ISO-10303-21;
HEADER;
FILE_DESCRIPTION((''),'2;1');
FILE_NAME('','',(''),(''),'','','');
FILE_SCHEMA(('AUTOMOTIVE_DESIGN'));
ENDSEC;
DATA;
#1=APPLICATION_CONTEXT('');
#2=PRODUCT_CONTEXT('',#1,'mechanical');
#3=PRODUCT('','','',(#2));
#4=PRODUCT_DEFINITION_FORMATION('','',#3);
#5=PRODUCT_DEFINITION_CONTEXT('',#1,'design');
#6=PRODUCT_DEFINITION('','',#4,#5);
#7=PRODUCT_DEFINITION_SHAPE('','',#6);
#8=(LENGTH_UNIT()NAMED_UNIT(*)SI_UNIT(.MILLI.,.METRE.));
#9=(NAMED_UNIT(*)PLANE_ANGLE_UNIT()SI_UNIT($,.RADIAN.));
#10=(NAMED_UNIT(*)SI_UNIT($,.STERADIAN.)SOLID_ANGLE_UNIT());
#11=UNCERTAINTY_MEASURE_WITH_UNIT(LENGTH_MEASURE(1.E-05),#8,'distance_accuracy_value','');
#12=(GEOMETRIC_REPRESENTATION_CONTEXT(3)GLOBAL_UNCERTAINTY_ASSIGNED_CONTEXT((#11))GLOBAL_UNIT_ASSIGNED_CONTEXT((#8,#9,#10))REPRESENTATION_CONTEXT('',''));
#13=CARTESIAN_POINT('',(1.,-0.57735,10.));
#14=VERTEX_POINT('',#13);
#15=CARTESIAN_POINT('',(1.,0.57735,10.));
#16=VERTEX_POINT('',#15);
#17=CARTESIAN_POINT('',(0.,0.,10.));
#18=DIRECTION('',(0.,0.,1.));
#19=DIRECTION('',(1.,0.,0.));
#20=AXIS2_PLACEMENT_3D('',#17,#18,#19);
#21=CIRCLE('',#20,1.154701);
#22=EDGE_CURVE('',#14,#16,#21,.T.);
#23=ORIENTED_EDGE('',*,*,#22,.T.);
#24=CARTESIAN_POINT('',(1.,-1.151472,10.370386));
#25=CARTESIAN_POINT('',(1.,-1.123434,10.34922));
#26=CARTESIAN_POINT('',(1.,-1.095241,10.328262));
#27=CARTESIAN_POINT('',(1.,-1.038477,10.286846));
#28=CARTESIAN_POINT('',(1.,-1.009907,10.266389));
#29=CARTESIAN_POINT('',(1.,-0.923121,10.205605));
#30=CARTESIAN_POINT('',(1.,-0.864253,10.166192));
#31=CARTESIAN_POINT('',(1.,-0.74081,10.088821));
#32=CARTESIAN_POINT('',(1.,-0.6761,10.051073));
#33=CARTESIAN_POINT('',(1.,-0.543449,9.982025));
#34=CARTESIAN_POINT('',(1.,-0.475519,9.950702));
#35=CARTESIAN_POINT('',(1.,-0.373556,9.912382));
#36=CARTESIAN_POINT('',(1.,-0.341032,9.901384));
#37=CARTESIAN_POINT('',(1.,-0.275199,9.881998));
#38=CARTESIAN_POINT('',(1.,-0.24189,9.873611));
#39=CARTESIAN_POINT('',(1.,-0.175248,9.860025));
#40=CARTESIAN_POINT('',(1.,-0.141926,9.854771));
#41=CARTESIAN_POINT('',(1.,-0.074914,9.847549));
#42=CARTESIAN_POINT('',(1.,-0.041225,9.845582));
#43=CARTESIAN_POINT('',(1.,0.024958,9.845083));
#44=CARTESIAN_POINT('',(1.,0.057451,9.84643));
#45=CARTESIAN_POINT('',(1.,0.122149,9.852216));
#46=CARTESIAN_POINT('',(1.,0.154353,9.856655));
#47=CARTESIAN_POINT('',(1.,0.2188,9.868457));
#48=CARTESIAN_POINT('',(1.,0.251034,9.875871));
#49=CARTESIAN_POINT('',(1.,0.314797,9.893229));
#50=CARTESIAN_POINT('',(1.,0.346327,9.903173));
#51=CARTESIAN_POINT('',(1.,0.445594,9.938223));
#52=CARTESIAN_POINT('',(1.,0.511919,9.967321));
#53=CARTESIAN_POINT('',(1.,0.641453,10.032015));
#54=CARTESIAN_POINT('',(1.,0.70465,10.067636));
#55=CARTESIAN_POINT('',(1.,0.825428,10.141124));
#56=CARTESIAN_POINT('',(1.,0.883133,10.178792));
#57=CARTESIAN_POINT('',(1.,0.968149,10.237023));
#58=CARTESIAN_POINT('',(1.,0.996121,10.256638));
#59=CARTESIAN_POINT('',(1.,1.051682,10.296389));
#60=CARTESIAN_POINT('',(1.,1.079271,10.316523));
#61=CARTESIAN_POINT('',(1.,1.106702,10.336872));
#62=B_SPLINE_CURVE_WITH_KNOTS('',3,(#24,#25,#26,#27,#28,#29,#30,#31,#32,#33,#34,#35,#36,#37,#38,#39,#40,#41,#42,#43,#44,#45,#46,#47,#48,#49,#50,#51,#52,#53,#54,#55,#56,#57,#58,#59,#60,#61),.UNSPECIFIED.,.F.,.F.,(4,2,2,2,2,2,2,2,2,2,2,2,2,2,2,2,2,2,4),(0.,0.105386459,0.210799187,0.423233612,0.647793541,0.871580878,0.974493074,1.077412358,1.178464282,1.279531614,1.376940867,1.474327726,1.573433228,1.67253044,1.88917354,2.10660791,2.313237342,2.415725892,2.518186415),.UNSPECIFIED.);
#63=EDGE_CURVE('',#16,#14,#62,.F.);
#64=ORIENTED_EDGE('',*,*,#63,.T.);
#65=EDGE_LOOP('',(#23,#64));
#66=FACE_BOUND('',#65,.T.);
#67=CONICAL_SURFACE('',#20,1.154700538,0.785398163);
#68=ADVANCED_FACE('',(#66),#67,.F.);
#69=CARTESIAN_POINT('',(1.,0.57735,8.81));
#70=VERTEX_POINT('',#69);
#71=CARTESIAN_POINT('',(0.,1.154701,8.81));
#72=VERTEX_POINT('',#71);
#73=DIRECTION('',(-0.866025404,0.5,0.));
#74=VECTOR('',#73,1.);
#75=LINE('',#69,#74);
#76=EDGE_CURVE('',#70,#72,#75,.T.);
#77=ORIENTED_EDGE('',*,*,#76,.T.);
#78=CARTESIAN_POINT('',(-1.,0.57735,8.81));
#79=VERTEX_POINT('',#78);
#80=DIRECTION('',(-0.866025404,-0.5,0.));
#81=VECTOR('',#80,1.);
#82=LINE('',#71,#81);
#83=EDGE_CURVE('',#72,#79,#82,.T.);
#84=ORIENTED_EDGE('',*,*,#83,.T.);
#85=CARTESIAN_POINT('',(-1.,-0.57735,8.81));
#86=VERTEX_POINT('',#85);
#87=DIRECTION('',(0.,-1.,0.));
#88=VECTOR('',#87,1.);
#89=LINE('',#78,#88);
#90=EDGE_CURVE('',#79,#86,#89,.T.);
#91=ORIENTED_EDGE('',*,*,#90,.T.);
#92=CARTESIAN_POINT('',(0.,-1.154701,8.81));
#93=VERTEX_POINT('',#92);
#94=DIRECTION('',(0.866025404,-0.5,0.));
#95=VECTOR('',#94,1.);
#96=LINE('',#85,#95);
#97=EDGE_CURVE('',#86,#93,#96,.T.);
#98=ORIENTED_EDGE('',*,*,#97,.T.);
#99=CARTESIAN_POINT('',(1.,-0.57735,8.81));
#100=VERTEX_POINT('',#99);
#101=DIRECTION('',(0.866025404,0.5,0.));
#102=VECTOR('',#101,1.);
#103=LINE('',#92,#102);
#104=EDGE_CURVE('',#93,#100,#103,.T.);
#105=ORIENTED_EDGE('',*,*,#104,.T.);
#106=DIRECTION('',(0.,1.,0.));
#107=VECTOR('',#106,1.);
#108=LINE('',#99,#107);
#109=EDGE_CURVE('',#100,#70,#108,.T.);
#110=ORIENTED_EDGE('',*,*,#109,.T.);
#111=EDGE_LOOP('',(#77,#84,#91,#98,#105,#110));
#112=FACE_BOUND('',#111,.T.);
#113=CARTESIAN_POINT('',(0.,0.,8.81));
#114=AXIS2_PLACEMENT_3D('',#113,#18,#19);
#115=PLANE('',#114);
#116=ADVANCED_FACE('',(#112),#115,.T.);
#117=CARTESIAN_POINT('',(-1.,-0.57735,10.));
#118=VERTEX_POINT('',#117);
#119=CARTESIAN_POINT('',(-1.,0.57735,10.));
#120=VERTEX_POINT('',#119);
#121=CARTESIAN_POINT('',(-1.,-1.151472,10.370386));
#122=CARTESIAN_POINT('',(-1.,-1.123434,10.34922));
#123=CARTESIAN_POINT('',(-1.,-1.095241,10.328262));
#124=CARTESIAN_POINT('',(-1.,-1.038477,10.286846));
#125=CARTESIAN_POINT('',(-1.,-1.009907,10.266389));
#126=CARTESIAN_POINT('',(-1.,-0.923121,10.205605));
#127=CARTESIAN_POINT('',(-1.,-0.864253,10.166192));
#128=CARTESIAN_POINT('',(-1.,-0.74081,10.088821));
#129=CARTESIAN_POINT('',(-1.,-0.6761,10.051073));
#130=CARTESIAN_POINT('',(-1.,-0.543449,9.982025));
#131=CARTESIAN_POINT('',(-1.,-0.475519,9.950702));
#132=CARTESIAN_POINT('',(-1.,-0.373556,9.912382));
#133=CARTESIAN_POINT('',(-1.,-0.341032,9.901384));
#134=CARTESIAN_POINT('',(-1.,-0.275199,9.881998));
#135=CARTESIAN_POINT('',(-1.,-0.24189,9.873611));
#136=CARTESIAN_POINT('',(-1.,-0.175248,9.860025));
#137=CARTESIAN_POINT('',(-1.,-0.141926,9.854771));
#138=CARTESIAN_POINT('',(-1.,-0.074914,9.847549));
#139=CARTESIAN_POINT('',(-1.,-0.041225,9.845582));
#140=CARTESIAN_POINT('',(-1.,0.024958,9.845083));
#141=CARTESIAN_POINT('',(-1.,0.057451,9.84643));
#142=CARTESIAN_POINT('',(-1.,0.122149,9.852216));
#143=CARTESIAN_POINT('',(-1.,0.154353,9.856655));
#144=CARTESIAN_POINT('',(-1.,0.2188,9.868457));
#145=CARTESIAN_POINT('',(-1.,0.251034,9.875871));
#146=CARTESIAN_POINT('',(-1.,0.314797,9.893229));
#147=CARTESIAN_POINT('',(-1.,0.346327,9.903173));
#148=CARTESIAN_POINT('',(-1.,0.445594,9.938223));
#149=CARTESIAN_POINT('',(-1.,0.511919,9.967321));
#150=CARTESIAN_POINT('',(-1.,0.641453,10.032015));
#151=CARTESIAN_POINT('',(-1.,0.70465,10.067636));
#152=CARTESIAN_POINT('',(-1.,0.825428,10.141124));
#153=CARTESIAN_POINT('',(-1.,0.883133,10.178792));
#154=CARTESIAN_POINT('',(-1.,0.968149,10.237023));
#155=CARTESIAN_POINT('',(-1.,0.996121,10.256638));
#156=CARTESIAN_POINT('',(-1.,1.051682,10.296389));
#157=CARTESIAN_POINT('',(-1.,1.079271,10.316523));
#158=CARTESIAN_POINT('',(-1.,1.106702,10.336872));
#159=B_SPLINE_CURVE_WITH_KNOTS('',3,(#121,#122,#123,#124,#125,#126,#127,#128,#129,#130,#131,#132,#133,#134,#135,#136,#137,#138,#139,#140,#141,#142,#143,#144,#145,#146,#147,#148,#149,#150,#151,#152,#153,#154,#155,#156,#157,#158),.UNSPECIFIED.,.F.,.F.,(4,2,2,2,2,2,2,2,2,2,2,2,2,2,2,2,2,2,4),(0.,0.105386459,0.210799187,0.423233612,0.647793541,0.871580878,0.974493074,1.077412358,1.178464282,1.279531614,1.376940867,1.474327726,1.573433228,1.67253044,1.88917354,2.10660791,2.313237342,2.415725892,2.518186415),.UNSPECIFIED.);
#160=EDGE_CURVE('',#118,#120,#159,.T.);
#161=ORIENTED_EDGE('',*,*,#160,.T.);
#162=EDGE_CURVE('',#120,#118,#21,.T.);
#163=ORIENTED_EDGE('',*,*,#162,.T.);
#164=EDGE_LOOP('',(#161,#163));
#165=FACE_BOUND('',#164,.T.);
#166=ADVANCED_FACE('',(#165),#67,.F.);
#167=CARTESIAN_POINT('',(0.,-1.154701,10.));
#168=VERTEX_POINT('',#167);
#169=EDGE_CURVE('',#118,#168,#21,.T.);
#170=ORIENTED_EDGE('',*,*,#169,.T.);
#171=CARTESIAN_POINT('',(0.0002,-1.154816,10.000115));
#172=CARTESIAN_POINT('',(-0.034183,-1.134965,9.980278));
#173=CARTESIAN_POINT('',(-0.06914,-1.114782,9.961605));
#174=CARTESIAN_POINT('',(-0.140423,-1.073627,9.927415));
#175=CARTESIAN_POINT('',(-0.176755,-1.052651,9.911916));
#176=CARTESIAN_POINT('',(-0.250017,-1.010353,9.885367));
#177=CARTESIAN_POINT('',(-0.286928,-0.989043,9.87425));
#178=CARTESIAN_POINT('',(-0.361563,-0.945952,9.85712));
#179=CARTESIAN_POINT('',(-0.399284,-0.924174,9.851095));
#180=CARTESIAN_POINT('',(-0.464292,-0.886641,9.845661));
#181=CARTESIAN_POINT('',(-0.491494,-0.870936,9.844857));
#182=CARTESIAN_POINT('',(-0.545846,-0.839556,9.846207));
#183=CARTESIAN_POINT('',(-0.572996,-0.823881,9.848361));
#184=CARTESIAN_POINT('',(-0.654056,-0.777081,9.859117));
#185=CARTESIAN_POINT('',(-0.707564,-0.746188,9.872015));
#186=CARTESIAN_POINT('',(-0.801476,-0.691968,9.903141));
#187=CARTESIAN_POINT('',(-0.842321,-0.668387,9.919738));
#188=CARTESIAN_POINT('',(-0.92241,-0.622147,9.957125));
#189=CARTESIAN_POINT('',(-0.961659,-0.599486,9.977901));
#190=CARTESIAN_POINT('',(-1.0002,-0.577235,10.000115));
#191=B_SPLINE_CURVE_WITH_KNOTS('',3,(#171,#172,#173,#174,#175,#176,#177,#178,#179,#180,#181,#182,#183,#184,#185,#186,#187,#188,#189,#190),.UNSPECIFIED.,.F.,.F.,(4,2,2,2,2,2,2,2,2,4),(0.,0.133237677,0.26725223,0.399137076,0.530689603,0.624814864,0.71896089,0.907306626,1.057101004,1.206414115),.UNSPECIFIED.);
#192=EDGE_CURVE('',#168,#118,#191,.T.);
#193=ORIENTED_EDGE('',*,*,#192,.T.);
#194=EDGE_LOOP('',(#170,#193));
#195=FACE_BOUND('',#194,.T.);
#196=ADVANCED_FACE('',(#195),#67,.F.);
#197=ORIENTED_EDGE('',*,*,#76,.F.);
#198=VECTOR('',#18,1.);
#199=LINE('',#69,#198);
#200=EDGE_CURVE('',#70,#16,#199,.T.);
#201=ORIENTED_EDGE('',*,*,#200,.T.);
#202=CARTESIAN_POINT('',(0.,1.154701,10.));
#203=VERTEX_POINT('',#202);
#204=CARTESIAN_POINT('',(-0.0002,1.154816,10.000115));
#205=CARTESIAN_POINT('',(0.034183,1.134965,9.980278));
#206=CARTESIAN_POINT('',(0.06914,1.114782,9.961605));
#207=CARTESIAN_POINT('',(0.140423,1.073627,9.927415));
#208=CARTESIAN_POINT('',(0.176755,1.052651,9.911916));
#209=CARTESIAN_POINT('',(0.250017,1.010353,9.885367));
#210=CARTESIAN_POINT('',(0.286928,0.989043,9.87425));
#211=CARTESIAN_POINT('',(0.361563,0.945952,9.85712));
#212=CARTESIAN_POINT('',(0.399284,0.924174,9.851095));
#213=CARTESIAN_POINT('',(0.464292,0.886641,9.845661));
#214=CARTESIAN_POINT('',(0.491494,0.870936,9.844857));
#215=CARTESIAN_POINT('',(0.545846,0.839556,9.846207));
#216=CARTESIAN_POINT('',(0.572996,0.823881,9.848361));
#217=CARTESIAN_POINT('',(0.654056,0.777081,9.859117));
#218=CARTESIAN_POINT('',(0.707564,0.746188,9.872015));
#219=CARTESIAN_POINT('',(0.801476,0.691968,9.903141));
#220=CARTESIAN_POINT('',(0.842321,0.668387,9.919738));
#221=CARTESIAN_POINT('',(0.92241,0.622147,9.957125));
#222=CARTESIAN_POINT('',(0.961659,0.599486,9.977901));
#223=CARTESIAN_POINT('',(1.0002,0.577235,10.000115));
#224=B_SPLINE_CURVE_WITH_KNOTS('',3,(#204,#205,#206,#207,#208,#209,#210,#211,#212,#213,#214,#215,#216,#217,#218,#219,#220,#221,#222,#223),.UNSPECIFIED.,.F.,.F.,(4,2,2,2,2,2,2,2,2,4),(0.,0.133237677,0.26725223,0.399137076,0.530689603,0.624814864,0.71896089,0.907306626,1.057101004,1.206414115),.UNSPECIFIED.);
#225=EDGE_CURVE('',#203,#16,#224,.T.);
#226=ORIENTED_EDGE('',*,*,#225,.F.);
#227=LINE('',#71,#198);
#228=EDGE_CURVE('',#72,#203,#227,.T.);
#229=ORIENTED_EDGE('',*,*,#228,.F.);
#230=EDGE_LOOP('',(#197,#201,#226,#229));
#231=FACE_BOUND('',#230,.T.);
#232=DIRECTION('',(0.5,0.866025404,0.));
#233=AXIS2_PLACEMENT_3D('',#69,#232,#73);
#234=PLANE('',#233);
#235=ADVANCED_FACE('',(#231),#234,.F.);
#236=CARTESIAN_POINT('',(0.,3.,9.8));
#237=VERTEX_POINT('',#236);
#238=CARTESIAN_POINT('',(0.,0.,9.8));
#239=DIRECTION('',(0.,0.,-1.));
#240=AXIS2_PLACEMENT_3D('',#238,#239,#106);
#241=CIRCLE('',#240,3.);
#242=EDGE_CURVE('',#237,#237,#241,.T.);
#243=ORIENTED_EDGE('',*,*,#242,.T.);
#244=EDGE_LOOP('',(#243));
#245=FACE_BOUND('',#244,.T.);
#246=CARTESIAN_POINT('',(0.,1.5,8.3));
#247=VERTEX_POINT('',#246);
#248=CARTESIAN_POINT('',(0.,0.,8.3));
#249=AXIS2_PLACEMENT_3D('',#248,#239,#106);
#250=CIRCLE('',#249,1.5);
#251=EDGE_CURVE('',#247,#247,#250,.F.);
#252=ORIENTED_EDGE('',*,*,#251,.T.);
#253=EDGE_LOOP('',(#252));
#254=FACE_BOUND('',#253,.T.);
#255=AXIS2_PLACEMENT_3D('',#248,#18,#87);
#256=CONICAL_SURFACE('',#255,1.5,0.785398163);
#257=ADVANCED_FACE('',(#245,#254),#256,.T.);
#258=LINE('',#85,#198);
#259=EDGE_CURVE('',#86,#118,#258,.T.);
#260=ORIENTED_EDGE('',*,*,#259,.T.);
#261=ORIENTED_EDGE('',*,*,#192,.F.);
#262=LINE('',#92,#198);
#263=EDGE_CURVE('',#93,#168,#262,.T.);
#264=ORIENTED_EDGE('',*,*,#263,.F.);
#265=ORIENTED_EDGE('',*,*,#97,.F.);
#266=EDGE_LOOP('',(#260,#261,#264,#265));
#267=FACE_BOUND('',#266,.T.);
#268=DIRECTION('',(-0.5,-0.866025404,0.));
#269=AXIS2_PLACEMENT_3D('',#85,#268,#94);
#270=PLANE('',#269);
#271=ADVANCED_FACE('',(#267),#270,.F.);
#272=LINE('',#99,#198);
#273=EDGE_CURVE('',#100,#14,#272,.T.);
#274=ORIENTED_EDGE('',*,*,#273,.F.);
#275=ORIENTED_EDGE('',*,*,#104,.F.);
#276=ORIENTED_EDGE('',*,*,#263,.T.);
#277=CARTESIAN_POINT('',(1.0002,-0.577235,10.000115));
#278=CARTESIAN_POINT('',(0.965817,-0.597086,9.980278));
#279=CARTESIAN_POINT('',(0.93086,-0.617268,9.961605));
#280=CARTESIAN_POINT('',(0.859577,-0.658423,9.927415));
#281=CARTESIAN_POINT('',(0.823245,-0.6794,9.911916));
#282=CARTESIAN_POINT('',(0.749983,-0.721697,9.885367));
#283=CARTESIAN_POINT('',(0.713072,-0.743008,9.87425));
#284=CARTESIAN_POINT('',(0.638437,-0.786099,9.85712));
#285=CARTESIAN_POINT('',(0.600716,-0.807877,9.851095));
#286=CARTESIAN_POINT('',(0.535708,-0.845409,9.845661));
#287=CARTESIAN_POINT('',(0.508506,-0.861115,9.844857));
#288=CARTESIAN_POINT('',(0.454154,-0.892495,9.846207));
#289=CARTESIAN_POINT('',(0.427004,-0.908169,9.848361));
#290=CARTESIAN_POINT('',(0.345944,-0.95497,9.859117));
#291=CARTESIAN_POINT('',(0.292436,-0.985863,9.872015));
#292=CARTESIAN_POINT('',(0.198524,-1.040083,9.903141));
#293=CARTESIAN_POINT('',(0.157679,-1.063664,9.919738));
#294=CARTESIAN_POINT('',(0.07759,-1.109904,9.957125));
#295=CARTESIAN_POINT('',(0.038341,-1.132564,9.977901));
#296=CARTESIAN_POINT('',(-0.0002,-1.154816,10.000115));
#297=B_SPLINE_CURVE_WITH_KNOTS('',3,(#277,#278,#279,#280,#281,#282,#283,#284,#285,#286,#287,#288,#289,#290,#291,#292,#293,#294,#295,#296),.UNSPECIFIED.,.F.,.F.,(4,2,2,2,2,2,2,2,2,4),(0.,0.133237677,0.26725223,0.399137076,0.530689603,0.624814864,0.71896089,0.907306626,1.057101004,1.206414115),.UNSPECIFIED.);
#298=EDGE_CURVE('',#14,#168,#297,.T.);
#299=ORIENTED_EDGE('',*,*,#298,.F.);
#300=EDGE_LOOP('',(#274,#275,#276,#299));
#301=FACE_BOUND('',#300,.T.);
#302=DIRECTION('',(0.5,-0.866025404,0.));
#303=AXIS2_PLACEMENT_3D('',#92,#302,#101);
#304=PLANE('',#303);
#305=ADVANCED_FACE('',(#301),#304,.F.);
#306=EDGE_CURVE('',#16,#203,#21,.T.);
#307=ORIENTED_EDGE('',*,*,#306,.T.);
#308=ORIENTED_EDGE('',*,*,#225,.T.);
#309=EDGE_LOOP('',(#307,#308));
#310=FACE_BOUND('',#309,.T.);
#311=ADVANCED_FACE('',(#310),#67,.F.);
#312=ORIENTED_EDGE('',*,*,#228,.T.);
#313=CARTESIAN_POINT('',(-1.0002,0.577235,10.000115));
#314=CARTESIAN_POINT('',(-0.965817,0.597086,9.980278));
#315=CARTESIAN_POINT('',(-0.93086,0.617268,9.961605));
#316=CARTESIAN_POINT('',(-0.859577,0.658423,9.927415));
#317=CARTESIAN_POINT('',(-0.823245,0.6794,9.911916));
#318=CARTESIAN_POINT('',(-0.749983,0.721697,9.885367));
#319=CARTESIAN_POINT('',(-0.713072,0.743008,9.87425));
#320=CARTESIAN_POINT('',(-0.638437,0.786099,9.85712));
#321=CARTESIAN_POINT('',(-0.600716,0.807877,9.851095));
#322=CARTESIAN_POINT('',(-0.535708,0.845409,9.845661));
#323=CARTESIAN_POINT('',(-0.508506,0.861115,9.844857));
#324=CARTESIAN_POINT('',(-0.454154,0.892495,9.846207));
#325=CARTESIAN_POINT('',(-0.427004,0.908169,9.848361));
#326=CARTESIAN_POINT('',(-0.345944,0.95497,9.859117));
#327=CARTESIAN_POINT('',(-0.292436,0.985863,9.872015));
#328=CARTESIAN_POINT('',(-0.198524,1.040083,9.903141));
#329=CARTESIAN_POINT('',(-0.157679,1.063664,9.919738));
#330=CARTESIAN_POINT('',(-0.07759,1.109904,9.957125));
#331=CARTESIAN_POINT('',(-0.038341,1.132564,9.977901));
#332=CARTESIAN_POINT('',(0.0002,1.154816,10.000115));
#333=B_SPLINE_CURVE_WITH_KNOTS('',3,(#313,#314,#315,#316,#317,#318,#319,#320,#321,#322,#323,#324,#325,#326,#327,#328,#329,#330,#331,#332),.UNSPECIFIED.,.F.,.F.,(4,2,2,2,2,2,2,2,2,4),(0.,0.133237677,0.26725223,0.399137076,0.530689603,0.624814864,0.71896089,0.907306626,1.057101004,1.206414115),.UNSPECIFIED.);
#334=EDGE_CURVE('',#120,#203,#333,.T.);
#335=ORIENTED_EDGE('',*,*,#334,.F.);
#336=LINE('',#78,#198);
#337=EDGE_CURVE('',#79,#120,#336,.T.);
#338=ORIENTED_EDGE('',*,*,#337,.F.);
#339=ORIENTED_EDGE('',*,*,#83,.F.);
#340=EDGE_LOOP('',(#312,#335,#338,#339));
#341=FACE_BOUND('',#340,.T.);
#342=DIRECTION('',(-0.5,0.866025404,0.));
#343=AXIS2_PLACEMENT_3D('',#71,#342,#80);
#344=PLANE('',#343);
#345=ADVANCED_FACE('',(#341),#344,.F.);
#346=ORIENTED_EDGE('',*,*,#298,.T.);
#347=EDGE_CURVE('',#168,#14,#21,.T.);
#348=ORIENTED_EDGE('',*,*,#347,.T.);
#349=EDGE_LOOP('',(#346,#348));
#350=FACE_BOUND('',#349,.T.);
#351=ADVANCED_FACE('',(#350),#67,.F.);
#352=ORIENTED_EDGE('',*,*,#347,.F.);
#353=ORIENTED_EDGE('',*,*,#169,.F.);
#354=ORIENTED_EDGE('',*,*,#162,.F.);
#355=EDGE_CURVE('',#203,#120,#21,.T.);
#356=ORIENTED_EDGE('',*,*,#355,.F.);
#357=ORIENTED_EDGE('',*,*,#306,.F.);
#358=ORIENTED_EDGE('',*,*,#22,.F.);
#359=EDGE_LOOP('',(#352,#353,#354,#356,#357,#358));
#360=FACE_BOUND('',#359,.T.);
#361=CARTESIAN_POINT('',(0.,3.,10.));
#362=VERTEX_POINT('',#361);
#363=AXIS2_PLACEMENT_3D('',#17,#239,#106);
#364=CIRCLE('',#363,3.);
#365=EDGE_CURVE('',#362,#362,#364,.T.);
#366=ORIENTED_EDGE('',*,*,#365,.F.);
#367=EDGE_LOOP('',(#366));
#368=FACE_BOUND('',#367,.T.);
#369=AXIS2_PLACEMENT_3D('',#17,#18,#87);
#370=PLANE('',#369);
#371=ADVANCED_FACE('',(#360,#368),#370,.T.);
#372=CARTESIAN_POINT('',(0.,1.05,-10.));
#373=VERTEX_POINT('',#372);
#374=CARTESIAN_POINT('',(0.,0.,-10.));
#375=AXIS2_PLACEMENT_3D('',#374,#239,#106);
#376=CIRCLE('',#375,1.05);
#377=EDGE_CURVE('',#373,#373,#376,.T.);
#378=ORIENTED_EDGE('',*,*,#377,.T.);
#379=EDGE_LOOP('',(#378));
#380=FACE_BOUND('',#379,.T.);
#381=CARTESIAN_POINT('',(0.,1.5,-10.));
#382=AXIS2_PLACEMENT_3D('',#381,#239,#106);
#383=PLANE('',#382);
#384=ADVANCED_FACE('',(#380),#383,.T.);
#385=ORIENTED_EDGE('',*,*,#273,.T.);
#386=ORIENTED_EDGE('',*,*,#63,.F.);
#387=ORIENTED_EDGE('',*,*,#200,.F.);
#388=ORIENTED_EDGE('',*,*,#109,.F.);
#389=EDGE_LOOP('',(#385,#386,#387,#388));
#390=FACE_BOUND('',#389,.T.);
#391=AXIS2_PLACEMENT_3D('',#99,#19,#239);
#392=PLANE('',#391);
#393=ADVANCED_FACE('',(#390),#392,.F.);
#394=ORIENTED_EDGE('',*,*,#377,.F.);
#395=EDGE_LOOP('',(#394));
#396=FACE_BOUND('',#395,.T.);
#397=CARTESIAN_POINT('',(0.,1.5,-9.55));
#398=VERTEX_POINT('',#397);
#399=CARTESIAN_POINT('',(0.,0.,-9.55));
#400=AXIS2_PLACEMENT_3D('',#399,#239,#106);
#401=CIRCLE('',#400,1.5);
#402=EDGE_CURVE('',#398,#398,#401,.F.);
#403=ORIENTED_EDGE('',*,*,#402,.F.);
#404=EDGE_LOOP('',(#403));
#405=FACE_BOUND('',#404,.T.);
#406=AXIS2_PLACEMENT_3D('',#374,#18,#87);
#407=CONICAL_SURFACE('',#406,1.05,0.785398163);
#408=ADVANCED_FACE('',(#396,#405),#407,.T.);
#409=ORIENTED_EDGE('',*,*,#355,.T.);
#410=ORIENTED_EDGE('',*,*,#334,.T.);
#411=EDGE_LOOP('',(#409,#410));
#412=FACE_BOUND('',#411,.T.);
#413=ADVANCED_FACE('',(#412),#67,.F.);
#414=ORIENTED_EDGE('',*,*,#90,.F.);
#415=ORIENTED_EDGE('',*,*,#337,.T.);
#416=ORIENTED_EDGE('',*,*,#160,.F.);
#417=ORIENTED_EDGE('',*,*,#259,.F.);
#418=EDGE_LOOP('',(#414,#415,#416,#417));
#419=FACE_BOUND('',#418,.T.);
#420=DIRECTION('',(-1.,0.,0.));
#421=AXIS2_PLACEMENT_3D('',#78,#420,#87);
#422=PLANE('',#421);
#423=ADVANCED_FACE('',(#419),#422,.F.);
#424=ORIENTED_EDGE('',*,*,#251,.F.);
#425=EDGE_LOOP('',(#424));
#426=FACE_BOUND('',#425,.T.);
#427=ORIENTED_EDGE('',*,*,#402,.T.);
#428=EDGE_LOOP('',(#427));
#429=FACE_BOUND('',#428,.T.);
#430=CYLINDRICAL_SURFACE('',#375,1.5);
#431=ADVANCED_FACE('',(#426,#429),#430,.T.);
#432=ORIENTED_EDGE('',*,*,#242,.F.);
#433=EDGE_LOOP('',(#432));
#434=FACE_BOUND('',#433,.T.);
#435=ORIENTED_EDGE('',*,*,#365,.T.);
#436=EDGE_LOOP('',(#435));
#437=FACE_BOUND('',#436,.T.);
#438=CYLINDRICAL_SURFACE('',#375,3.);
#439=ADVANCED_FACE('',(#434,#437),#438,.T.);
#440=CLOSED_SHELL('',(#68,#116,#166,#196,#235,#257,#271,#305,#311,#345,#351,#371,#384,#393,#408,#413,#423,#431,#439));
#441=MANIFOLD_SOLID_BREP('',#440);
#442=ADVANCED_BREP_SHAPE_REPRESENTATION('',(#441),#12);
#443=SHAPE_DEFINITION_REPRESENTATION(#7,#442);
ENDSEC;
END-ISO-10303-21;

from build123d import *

# Parameters (mm, degrees)
SKETCH3_W          = 20
SKETCH3_H          = 1.5
CHAMFER1_SIZE      = 0.45
CUT_EXTRUDE1_DEPTH = 1.19


with BuildPart() as part:
    # Sketch3 → Revolve1 (revolve)
    with BuildSketch(Plane(origin=(0, 0, 0), x_dir=(0, 0, -1), z_dir=(1, 0, 0))):
        with Locations((0, 0.75)):
            Rectangle(SKETCH3_W, SKETCH3_H)
    revolve(axis=Axis((0, 0, -10), (0, 0, 1)))

    # Chamfer1
    chamfer1_edges = [part.edges().sort_by_distance(p)[0] for p in [
        (0, -1.5, -10),
    ]]
    chamfer(chamfer1_edges, length=CHAMFER1_SIZE)

    # Sketch6 → Revolve2 (revolve)
    with BuildSketch(Plane(origin=(0, 0, 0), x_dir=(0, 0, -1), z_dir=(1, 0, 0))):
        Polygon((-10, 3), (-9.8, 3), (-8.3, 1.5), (-8.3, 0), (-10, 0), align=None)
    revolve(axis=Axis((0, 0, -10), (0, 0, 1)))

    # Sketch8 → Cut-Extrude1 (cut)
    with BuildSketch(Plane.XY.offset(10)):
        Polygon((0, 1.154700538), (-1, 0.577350269), (-1, -0.577350269), (0, -1.154700538), (1, -0.577350269), (1, 0.577350269), align=None)
    extrude(amount=-CUT_EXTRUDE1_DEPTH, mode=Mode.SUBTRACT)

    # Cut-Extrude2 cone 1 section (through the dimple's axis) → Cut-Extrude2 (revolve, cut)
    with BuildSketch(Plane(origin=(0, 0, 10), x_dir=(0, -1, 0), z_dir=(1, 0, 0))):
        Polygon((0, 0), (1.154700538, 0), (0, 1.154700538), align=None)
    revolve(axis=Axis((0, 0, 10), (0, 0, -1)), mode=Mode.SUBTRACT)


solid = part.part
